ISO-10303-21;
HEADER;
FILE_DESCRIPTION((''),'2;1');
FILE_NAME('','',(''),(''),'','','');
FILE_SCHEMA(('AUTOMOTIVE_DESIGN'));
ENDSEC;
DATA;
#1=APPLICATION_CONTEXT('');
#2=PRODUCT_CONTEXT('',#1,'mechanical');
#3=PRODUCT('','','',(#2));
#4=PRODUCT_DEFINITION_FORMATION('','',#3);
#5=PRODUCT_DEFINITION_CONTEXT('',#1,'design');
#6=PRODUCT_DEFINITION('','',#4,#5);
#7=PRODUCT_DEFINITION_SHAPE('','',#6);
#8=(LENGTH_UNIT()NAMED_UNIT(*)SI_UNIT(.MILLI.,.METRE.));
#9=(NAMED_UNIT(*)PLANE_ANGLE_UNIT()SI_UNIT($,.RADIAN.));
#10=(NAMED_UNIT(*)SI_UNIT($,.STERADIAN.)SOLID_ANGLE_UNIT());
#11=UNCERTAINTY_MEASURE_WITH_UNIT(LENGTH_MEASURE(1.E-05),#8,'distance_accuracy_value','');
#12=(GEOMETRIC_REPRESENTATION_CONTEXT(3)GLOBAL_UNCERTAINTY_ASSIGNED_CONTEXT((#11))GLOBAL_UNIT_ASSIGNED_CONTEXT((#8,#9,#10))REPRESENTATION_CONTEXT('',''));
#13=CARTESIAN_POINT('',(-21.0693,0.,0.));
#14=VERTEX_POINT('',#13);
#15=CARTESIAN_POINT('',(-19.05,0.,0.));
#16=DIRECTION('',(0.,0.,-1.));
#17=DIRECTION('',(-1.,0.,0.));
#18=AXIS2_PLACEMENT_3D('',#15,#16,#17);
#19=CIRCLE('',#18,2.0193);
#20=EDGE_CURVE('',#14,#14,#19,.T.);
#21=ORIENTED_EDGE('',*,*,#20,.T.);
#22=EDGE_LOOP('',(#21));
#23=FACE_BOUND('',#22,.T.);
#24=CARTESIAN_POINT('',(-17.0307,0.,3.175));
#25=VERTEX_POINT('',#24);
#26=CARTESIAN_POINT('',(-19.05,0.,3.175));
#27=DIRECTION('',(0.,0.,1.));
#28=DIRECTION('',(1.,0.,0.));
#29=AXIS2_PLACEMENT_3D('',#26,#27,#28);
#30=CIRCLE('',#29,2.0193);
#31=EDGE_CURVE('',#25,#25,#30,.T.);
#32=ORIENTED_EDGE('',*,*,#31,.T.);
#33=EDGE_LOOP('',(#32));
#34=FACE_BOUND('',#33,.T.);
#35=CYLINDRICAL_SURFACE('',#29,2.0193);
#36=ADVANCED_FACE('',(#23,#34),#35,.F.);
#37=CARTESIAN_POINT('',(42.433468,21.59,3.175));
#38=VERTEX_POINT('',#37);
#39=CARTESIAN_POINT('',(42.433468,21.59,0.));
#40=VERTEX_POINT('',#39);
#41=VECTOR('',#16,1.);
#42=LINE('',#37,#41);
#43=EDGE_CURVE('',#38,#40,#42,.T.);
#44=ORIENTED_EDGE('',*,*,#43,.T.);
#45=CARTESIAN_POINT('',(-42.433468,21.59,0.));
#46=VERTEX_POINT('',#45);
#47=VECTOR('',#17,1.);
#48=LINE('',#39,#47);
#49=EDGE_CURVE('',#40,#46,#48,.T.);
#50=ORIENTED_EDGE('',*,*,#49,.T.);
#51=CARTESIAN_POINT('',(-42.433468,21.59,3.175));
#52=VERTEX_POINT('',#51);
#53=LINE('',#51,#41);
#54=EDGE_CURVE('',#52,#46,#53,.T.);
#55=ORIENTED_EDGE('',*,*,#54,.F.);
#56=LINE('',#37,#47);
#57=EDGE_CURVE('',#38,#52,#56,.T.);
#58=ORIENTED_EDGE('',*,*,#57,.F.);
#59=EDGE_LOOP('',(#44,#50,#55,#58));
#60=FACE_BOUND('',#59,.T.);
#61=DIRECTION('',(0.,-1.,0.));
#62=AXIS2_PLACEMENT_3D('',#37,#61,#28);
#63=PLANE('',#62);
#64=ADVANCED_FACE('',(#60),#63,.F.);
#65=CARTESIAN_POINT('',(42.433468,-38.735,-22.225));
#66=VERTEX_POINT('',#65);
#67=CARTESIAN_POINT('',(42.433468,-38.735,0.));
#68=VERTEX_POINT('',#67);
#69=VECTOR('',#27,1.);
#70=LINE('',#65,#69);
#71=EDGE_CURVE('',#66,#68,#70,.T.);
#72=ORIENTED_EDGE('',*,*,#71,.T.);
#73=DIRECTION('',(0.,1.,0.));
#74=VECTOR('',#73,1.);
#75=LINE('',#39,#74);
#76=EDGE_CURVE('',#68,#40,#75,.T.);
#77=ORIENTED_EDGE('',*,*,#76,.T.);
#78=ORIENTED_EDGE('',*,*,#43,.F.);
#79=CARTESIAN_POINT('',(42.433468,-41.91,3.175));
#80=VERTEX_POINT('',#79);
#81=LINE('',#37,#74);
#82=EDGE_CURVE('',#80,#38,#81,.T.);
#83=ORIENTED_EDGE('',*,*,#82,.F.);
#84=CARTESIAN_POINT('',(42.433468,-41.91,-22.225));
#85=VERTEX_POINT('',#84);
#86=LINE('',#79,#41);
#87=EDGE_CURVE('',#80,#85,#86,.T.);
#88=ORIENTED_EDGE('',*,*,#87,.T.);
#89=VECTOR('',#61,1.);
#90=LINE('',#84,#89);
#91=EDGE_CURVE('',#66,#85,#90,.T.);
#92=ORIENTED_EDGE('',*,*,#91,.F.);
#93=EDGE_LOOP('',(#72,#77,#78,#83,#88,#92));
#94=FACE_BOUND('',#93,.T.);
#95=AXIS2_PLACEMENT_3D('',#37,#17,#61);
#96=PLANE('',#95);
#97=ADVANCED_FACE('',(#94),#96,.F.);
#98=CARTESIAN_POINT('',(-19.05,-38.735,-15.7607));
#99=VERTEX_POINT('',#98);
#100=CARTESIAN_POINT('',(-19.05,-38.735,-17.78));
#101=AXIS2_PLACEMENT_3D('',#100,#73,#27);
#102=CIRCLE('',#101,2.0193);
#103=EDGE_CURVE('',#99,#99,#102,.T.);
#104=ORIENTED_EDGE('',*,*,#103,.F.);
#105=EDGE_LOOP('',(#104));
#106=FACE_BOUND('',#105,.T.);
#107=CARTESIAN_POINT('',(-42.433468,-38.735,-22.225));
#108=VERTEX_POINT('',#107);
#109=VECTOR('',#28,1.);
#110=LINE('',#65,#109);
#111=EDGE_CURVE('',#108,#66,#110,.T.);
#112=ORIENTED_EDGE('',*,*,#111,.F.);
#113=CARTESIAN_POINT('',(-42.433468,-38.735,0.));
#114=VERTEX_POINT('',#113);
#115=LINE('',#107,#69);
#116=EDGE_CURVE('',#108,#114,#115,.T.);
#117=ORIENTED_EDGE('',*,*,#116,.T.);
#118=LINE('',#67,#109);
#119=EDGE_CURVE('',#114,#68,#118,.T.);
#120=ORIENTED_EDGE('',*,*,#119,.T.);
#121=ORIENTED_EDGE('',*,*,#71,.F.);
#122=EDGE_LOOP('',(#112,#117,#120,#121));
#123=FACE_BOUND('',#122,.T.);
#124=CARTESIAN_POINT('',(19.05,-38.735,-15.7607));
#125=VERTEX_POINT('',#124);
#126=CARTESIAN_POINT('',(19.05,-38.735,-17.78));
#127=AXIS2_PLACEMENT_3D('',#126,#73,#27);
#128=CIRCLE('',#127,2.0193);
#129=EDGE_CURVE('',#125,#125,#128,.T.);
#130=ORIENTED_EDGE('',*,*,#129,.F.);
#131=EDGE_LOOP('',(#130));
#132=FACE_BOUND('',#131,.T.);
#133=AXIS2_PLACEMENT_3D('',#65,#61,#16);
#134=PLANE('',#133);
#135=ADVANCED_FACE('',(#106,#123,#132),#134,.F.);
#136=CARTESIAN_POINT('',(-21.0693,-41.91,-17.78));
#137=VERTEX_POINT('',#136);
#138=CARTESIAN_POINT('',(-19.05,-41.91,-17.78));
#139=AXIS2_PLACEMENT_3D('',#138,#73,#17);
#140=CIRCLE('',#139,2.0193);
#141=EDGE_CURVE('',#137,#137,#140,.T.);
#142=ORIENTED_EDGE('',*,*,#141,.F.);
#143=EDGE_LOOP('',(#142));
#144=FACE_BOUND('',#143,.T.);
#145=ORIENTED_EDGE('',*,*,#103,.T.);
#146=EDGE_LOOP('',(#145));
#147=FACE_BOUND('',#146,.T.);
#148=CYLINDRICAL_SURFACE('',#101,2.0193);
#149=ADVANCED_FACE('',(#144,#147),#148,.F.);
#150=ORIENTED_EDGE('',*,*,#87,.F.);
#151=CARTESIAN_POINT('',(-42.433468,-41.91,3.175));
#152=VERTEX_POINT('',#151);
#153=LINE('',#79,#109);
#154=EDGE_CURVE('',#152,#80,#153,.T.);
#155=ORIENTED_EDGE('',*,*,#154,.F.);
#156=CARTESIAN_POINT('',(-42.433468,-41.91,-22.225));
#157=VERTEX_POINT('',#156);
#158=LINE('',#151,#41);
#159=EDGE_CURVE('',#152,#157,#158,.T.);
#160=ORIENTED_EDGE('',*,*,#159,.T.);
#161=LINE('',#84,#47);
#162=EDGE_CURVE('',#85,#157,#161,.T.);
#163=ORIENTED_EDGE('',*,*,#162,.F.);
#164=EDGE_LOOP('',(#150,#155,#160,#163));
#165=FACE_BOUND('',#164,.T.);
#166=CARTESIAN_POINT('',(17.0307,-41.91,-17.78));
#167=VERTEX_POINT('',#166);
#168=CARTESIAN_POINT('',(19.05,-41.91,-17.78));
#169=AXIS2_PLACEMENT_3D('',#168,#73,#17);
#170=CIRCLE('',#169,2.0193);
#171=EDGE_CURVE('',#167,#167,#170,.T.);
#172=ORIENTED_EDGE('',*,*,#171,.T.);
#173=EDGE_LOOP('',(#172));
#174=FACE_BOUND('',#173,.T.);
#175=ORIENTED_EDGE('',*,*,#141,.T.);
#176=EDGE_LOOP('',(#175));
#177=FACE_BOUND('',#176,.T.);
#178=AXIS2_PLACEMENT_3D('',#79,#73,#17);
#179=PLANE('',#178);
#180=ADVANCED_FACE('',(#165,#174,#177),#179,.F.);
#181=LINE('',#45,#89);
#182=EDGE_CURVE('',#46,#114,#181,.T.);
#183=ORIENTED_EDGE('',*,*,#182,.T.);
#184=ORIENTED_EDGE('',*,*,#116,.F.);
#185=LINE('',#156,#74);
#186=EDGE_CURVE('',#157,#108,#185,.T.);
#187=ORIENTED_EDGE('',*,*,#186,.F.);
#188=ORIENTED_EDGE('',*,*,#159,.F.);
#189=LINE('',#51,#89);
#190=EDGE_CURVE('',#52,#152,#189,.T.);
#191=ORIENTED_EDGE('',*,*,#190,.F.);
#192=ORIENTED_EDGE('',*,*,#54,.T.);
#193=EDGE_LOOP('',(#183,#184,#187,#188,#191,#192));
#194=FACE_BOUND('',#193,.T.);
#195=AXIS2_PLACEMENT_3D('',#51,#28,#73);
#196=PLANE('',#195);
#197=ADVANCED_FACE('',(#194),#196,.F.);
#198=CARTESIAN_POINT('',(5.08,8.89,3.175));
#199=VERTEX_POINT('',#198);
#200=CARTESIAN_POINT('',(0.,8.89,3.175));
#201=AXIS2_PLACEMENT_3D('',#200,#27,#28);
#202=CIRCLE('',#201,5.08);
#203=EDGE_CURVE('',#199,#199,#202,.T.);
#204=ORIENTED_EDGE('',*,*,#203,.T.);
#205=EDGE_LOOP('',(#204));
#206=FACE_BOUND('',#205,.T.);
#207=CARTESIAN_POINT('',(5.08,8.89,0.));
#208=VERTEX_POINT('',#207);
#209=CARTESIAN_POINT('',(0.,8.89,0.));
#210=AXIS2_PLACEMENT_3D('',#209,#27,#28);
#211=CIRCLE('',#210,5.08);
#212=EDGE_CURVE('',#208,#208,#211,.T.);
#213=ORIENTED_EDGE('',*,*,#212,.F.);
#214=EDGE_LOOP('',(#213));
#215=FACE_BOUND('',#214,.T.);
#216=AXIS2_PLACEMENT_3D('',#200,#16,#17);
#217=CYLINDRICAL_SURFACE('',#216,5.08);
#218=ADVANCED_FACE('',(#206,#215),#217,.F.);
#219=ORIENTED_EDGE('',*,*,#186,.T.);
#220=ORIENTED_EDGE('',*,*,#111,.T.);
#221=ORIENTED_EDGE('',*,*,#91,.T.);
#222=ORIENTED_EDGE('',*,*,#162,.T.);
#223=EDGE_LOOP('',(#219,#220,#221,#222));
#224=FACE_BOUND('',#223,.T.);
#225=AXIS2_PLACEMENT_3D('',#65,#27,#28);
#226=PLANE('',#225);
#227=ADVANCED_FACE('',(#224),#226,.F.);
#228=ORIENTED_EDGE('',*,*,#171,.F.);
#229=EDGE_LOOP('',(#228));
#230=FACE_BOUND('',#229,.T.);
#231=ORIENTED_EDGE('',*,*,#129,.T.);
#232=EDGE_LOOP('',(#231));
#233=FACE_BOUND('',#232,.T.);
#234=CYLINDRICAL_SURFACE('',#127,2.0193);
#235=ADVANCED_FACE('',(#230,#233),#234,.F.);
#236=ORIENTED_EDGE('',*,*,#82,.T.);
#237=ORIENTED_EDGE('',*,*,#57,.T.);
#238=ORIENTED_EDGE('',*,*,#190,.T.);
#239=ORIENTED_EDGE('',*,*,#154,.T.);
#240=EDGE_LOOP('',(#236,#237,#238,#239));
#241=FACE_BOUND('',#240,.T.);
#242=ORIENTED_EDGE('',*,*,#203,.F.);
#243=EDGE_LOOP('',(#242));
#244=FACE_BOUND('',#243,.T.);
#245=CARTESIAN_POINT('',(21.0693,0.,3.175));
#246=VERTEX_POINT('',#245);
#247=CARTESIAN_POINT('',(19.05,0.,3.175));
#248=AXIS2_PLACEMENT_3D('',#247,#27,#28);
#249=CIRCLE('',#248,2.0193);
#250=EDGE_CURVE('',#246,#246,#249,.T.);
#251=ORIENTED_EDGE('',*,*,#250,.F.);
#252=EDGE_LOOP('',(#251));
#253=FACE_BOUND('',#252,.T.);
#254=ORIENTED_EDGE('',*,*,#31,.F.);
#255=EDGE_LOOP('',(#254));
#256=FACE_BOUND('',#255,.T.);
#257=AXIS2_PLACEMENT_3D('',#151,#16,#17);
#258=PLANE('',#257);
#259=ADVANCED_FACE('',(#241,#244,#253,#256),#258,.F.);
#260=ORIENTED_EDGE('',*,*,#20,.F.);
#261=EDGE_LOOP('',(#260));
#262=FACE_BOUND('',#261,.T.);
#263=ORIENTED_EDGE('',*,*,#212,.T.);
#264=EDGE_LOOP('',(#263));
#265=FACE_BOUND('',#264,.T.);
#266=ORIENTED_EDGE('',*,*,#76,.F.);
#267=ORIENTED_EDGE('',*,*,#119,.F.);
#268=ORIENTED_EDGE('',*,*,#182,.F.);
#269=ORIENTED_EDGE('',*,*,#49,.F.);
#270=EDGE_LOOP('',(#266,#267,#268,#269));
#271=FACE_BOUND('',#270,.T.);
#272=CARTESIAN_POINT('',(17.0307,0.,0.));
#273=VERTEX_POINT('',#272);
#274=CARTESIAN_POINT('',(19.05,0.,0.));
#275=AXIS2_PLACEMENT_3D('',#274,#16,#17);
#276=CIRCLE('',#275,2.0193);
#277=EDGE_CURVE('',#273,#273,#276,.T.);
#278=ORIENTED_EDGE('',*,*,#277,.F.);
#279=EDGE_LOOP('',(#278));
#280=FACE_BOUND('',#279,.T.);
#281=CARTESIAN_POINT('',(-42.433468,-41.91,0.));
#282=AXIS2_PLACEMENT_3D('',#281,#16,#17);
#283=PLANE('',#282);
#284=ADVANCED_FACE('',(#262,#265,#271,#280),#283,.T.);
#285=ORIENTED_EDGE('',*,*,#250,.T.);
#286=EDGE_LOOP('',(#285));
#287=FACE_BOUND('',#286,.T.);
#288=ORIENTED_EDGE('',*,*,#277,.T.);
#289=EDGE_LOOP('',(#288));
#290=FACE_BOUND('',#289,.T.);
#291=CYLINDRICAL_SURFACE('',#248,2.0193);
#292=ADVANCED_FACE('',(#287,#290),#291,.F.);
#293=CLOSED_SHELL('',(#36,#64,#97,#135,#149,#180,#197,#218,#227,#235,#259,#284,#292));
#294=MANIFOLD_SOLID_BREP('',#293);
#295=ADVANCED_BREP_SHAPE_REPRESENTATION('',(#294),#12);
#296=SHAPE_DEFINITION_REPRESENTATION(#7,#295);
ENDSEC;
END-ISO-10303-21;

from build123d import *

# Parameters (mm, degrees)
SKETCH1_W                  = 84.86693599
SKETCH1_H                  = 63.5
SKETCH1_R                  = 5.08
BOSS_EXTRUDE1_DEPTH        = 3.175
F_10_32_TAPPED_HOLE1_D     = 4.0386
F_10_32_TAPPED_HOLE1_DEPTH = 11.938
F_10_32_TAPPED_HOLE1_TIP   = 1.213317848
F_10_32_TAPPED_HOLE2_D     = 4.0386
F_10_32_TAPPED_HOLE2_DEPTH = 11.938
F_10_32_TAPPED_HOLE2_TIP   = 1.213317848
SKETCH10_W                 = 84.86693599
SKETCH10_H                 = 3.175
BOSS_EXTRUDE2_DEPTH        = 22.225
F_10_32_TAPPED_HOLE3_D     = 4.0386
F_10_32_TAPPED_HOLE3_DEPTH = 11.938
F_10_32_TAPPED_HOLE3_TIP   = 1.213317848
F_10_32_TAPPED_HOLE4_D     = 4.0386
F_10_32_TAPPED_HOLE4_DEPTH = 11.938
F_10_32_TAPPED_HOLE4_TIP   = 1.213317848


with BuildPart() as part:
    # Sketch1 → Boss-Extrude1 (new body)
    with BuildSketch(Plane.XY):
        with Locations((0, -10.16)):
            Rectangle(SKETCH1_W, SKETCH1_H)
        with Locations((0, 8.89)):
            Circle(SKETCH1_R, mode=Mode.SUBTRACT)
    extrude(amount=BOSS_EXTRUDE1_DEPTH)

    # #10-32 Tapped Hole1
    with Locations(Plane.XY.offset(3.175)):
        with Locations((-19.05, 0)):
            Hole(F_10_32_TAPPED_HOLE1_D / 2, depth=F_10_32_TAPPED_HOLE1_DEPTH)
            with Locations((0, 0, -(F_10_32_TAPPED_HOLE1_DEPTH + F_10_32_TAPPED_HOLE1_TIP / 2))):  # 118° drill point
                Cone(0, F_10_32_TAPPED_HOLE1_D / 2, F_10_32_TAPPED_HOLE1_TIP, mode=Mode.SUBTRACT)

    # #10-32 Tapped Hole2
    with Locations(Plane.XY.offset(3.175)):
        with Locations((19.05, 0)):
            Hole(F_10_32_TAPPED_HOLE2_D / 2, depth=F_10_32_TAPPED_HOLE2_DEPTH)
            with Locations((0, 0, -(F_10_32_TAPPED_HOLE2_DEPTH + F_10_32_TAPPED_HOLE2_TIP / 2))):  # 118° drill point
                Cone(0, F_10_32_TAPPED_HOLE2_D / 2, F_10_32_TAPPED_HOLE2_TIP, mode=Mode.SUBTRACT)

    # Sketch10 → Boss-Extrude2 (add)
    with BuildSketch(Plane(origin=(0, 0, 0), x_dir=(-1, 0, 0), z_dir=(0, 0, -1))):
        with Locations((0, -40.3225)):
            Rectangle(SKETCH10_W, SKETCH10_H)
    extrude(amount=BOSS_EXTRUDE2_DEPTH)

    # #10-32 Tapped Hole3
    with Locations(Plane(origin=(0, -38.735, 0), x_dir=(-1, 0, 0), z_dir=(0, 1, 0))):
        with Locations((19.05, -17.78)):
            Hole(F_10_32_TAPPED_HOLE3_D / 2, depth=F_10_32_TAPPED_HOLE3_DEPTH)
            with Locations((0, 0, -(F_10_32_TAPPED_HOLE3_DEPTH + F_10_32_TAPPED_HOLE3_TIP / 2))):  # 118° drill point
                Cone(0, F_10_32_TAPPED_HOLE3_D / 2, F_10_32_TAPPED_HOLE3_TIP, mode=Mode.SUBTRACT)

    # #10-32 Tapped Hole4
    with Locations(Plane(origin=(0, -38.735, 0), x_dir=(-1, 0, 0), z_dir=(0, 1, 0))):
        with Locations((-19.05, -17.78)):
            Hole(F_10_32_TAPPED_HOLE4_D / 2, depth=F_10_32_TAPPED_HOLE4_DEPTH)
            with Locations((0, 0, -(F_10_32_TAPPED_HOLE4_DEPTH + F_10_32_TAPPED_HOLE4_TIP / 2))):  # 118° drill point
                Cone(0, F_10_32_TAPPED_HOLE4_D / 2, F_10_32_TAPPED_HOLE4_TIP, mode=Mode.SUBTRACT)


solid = part.part
